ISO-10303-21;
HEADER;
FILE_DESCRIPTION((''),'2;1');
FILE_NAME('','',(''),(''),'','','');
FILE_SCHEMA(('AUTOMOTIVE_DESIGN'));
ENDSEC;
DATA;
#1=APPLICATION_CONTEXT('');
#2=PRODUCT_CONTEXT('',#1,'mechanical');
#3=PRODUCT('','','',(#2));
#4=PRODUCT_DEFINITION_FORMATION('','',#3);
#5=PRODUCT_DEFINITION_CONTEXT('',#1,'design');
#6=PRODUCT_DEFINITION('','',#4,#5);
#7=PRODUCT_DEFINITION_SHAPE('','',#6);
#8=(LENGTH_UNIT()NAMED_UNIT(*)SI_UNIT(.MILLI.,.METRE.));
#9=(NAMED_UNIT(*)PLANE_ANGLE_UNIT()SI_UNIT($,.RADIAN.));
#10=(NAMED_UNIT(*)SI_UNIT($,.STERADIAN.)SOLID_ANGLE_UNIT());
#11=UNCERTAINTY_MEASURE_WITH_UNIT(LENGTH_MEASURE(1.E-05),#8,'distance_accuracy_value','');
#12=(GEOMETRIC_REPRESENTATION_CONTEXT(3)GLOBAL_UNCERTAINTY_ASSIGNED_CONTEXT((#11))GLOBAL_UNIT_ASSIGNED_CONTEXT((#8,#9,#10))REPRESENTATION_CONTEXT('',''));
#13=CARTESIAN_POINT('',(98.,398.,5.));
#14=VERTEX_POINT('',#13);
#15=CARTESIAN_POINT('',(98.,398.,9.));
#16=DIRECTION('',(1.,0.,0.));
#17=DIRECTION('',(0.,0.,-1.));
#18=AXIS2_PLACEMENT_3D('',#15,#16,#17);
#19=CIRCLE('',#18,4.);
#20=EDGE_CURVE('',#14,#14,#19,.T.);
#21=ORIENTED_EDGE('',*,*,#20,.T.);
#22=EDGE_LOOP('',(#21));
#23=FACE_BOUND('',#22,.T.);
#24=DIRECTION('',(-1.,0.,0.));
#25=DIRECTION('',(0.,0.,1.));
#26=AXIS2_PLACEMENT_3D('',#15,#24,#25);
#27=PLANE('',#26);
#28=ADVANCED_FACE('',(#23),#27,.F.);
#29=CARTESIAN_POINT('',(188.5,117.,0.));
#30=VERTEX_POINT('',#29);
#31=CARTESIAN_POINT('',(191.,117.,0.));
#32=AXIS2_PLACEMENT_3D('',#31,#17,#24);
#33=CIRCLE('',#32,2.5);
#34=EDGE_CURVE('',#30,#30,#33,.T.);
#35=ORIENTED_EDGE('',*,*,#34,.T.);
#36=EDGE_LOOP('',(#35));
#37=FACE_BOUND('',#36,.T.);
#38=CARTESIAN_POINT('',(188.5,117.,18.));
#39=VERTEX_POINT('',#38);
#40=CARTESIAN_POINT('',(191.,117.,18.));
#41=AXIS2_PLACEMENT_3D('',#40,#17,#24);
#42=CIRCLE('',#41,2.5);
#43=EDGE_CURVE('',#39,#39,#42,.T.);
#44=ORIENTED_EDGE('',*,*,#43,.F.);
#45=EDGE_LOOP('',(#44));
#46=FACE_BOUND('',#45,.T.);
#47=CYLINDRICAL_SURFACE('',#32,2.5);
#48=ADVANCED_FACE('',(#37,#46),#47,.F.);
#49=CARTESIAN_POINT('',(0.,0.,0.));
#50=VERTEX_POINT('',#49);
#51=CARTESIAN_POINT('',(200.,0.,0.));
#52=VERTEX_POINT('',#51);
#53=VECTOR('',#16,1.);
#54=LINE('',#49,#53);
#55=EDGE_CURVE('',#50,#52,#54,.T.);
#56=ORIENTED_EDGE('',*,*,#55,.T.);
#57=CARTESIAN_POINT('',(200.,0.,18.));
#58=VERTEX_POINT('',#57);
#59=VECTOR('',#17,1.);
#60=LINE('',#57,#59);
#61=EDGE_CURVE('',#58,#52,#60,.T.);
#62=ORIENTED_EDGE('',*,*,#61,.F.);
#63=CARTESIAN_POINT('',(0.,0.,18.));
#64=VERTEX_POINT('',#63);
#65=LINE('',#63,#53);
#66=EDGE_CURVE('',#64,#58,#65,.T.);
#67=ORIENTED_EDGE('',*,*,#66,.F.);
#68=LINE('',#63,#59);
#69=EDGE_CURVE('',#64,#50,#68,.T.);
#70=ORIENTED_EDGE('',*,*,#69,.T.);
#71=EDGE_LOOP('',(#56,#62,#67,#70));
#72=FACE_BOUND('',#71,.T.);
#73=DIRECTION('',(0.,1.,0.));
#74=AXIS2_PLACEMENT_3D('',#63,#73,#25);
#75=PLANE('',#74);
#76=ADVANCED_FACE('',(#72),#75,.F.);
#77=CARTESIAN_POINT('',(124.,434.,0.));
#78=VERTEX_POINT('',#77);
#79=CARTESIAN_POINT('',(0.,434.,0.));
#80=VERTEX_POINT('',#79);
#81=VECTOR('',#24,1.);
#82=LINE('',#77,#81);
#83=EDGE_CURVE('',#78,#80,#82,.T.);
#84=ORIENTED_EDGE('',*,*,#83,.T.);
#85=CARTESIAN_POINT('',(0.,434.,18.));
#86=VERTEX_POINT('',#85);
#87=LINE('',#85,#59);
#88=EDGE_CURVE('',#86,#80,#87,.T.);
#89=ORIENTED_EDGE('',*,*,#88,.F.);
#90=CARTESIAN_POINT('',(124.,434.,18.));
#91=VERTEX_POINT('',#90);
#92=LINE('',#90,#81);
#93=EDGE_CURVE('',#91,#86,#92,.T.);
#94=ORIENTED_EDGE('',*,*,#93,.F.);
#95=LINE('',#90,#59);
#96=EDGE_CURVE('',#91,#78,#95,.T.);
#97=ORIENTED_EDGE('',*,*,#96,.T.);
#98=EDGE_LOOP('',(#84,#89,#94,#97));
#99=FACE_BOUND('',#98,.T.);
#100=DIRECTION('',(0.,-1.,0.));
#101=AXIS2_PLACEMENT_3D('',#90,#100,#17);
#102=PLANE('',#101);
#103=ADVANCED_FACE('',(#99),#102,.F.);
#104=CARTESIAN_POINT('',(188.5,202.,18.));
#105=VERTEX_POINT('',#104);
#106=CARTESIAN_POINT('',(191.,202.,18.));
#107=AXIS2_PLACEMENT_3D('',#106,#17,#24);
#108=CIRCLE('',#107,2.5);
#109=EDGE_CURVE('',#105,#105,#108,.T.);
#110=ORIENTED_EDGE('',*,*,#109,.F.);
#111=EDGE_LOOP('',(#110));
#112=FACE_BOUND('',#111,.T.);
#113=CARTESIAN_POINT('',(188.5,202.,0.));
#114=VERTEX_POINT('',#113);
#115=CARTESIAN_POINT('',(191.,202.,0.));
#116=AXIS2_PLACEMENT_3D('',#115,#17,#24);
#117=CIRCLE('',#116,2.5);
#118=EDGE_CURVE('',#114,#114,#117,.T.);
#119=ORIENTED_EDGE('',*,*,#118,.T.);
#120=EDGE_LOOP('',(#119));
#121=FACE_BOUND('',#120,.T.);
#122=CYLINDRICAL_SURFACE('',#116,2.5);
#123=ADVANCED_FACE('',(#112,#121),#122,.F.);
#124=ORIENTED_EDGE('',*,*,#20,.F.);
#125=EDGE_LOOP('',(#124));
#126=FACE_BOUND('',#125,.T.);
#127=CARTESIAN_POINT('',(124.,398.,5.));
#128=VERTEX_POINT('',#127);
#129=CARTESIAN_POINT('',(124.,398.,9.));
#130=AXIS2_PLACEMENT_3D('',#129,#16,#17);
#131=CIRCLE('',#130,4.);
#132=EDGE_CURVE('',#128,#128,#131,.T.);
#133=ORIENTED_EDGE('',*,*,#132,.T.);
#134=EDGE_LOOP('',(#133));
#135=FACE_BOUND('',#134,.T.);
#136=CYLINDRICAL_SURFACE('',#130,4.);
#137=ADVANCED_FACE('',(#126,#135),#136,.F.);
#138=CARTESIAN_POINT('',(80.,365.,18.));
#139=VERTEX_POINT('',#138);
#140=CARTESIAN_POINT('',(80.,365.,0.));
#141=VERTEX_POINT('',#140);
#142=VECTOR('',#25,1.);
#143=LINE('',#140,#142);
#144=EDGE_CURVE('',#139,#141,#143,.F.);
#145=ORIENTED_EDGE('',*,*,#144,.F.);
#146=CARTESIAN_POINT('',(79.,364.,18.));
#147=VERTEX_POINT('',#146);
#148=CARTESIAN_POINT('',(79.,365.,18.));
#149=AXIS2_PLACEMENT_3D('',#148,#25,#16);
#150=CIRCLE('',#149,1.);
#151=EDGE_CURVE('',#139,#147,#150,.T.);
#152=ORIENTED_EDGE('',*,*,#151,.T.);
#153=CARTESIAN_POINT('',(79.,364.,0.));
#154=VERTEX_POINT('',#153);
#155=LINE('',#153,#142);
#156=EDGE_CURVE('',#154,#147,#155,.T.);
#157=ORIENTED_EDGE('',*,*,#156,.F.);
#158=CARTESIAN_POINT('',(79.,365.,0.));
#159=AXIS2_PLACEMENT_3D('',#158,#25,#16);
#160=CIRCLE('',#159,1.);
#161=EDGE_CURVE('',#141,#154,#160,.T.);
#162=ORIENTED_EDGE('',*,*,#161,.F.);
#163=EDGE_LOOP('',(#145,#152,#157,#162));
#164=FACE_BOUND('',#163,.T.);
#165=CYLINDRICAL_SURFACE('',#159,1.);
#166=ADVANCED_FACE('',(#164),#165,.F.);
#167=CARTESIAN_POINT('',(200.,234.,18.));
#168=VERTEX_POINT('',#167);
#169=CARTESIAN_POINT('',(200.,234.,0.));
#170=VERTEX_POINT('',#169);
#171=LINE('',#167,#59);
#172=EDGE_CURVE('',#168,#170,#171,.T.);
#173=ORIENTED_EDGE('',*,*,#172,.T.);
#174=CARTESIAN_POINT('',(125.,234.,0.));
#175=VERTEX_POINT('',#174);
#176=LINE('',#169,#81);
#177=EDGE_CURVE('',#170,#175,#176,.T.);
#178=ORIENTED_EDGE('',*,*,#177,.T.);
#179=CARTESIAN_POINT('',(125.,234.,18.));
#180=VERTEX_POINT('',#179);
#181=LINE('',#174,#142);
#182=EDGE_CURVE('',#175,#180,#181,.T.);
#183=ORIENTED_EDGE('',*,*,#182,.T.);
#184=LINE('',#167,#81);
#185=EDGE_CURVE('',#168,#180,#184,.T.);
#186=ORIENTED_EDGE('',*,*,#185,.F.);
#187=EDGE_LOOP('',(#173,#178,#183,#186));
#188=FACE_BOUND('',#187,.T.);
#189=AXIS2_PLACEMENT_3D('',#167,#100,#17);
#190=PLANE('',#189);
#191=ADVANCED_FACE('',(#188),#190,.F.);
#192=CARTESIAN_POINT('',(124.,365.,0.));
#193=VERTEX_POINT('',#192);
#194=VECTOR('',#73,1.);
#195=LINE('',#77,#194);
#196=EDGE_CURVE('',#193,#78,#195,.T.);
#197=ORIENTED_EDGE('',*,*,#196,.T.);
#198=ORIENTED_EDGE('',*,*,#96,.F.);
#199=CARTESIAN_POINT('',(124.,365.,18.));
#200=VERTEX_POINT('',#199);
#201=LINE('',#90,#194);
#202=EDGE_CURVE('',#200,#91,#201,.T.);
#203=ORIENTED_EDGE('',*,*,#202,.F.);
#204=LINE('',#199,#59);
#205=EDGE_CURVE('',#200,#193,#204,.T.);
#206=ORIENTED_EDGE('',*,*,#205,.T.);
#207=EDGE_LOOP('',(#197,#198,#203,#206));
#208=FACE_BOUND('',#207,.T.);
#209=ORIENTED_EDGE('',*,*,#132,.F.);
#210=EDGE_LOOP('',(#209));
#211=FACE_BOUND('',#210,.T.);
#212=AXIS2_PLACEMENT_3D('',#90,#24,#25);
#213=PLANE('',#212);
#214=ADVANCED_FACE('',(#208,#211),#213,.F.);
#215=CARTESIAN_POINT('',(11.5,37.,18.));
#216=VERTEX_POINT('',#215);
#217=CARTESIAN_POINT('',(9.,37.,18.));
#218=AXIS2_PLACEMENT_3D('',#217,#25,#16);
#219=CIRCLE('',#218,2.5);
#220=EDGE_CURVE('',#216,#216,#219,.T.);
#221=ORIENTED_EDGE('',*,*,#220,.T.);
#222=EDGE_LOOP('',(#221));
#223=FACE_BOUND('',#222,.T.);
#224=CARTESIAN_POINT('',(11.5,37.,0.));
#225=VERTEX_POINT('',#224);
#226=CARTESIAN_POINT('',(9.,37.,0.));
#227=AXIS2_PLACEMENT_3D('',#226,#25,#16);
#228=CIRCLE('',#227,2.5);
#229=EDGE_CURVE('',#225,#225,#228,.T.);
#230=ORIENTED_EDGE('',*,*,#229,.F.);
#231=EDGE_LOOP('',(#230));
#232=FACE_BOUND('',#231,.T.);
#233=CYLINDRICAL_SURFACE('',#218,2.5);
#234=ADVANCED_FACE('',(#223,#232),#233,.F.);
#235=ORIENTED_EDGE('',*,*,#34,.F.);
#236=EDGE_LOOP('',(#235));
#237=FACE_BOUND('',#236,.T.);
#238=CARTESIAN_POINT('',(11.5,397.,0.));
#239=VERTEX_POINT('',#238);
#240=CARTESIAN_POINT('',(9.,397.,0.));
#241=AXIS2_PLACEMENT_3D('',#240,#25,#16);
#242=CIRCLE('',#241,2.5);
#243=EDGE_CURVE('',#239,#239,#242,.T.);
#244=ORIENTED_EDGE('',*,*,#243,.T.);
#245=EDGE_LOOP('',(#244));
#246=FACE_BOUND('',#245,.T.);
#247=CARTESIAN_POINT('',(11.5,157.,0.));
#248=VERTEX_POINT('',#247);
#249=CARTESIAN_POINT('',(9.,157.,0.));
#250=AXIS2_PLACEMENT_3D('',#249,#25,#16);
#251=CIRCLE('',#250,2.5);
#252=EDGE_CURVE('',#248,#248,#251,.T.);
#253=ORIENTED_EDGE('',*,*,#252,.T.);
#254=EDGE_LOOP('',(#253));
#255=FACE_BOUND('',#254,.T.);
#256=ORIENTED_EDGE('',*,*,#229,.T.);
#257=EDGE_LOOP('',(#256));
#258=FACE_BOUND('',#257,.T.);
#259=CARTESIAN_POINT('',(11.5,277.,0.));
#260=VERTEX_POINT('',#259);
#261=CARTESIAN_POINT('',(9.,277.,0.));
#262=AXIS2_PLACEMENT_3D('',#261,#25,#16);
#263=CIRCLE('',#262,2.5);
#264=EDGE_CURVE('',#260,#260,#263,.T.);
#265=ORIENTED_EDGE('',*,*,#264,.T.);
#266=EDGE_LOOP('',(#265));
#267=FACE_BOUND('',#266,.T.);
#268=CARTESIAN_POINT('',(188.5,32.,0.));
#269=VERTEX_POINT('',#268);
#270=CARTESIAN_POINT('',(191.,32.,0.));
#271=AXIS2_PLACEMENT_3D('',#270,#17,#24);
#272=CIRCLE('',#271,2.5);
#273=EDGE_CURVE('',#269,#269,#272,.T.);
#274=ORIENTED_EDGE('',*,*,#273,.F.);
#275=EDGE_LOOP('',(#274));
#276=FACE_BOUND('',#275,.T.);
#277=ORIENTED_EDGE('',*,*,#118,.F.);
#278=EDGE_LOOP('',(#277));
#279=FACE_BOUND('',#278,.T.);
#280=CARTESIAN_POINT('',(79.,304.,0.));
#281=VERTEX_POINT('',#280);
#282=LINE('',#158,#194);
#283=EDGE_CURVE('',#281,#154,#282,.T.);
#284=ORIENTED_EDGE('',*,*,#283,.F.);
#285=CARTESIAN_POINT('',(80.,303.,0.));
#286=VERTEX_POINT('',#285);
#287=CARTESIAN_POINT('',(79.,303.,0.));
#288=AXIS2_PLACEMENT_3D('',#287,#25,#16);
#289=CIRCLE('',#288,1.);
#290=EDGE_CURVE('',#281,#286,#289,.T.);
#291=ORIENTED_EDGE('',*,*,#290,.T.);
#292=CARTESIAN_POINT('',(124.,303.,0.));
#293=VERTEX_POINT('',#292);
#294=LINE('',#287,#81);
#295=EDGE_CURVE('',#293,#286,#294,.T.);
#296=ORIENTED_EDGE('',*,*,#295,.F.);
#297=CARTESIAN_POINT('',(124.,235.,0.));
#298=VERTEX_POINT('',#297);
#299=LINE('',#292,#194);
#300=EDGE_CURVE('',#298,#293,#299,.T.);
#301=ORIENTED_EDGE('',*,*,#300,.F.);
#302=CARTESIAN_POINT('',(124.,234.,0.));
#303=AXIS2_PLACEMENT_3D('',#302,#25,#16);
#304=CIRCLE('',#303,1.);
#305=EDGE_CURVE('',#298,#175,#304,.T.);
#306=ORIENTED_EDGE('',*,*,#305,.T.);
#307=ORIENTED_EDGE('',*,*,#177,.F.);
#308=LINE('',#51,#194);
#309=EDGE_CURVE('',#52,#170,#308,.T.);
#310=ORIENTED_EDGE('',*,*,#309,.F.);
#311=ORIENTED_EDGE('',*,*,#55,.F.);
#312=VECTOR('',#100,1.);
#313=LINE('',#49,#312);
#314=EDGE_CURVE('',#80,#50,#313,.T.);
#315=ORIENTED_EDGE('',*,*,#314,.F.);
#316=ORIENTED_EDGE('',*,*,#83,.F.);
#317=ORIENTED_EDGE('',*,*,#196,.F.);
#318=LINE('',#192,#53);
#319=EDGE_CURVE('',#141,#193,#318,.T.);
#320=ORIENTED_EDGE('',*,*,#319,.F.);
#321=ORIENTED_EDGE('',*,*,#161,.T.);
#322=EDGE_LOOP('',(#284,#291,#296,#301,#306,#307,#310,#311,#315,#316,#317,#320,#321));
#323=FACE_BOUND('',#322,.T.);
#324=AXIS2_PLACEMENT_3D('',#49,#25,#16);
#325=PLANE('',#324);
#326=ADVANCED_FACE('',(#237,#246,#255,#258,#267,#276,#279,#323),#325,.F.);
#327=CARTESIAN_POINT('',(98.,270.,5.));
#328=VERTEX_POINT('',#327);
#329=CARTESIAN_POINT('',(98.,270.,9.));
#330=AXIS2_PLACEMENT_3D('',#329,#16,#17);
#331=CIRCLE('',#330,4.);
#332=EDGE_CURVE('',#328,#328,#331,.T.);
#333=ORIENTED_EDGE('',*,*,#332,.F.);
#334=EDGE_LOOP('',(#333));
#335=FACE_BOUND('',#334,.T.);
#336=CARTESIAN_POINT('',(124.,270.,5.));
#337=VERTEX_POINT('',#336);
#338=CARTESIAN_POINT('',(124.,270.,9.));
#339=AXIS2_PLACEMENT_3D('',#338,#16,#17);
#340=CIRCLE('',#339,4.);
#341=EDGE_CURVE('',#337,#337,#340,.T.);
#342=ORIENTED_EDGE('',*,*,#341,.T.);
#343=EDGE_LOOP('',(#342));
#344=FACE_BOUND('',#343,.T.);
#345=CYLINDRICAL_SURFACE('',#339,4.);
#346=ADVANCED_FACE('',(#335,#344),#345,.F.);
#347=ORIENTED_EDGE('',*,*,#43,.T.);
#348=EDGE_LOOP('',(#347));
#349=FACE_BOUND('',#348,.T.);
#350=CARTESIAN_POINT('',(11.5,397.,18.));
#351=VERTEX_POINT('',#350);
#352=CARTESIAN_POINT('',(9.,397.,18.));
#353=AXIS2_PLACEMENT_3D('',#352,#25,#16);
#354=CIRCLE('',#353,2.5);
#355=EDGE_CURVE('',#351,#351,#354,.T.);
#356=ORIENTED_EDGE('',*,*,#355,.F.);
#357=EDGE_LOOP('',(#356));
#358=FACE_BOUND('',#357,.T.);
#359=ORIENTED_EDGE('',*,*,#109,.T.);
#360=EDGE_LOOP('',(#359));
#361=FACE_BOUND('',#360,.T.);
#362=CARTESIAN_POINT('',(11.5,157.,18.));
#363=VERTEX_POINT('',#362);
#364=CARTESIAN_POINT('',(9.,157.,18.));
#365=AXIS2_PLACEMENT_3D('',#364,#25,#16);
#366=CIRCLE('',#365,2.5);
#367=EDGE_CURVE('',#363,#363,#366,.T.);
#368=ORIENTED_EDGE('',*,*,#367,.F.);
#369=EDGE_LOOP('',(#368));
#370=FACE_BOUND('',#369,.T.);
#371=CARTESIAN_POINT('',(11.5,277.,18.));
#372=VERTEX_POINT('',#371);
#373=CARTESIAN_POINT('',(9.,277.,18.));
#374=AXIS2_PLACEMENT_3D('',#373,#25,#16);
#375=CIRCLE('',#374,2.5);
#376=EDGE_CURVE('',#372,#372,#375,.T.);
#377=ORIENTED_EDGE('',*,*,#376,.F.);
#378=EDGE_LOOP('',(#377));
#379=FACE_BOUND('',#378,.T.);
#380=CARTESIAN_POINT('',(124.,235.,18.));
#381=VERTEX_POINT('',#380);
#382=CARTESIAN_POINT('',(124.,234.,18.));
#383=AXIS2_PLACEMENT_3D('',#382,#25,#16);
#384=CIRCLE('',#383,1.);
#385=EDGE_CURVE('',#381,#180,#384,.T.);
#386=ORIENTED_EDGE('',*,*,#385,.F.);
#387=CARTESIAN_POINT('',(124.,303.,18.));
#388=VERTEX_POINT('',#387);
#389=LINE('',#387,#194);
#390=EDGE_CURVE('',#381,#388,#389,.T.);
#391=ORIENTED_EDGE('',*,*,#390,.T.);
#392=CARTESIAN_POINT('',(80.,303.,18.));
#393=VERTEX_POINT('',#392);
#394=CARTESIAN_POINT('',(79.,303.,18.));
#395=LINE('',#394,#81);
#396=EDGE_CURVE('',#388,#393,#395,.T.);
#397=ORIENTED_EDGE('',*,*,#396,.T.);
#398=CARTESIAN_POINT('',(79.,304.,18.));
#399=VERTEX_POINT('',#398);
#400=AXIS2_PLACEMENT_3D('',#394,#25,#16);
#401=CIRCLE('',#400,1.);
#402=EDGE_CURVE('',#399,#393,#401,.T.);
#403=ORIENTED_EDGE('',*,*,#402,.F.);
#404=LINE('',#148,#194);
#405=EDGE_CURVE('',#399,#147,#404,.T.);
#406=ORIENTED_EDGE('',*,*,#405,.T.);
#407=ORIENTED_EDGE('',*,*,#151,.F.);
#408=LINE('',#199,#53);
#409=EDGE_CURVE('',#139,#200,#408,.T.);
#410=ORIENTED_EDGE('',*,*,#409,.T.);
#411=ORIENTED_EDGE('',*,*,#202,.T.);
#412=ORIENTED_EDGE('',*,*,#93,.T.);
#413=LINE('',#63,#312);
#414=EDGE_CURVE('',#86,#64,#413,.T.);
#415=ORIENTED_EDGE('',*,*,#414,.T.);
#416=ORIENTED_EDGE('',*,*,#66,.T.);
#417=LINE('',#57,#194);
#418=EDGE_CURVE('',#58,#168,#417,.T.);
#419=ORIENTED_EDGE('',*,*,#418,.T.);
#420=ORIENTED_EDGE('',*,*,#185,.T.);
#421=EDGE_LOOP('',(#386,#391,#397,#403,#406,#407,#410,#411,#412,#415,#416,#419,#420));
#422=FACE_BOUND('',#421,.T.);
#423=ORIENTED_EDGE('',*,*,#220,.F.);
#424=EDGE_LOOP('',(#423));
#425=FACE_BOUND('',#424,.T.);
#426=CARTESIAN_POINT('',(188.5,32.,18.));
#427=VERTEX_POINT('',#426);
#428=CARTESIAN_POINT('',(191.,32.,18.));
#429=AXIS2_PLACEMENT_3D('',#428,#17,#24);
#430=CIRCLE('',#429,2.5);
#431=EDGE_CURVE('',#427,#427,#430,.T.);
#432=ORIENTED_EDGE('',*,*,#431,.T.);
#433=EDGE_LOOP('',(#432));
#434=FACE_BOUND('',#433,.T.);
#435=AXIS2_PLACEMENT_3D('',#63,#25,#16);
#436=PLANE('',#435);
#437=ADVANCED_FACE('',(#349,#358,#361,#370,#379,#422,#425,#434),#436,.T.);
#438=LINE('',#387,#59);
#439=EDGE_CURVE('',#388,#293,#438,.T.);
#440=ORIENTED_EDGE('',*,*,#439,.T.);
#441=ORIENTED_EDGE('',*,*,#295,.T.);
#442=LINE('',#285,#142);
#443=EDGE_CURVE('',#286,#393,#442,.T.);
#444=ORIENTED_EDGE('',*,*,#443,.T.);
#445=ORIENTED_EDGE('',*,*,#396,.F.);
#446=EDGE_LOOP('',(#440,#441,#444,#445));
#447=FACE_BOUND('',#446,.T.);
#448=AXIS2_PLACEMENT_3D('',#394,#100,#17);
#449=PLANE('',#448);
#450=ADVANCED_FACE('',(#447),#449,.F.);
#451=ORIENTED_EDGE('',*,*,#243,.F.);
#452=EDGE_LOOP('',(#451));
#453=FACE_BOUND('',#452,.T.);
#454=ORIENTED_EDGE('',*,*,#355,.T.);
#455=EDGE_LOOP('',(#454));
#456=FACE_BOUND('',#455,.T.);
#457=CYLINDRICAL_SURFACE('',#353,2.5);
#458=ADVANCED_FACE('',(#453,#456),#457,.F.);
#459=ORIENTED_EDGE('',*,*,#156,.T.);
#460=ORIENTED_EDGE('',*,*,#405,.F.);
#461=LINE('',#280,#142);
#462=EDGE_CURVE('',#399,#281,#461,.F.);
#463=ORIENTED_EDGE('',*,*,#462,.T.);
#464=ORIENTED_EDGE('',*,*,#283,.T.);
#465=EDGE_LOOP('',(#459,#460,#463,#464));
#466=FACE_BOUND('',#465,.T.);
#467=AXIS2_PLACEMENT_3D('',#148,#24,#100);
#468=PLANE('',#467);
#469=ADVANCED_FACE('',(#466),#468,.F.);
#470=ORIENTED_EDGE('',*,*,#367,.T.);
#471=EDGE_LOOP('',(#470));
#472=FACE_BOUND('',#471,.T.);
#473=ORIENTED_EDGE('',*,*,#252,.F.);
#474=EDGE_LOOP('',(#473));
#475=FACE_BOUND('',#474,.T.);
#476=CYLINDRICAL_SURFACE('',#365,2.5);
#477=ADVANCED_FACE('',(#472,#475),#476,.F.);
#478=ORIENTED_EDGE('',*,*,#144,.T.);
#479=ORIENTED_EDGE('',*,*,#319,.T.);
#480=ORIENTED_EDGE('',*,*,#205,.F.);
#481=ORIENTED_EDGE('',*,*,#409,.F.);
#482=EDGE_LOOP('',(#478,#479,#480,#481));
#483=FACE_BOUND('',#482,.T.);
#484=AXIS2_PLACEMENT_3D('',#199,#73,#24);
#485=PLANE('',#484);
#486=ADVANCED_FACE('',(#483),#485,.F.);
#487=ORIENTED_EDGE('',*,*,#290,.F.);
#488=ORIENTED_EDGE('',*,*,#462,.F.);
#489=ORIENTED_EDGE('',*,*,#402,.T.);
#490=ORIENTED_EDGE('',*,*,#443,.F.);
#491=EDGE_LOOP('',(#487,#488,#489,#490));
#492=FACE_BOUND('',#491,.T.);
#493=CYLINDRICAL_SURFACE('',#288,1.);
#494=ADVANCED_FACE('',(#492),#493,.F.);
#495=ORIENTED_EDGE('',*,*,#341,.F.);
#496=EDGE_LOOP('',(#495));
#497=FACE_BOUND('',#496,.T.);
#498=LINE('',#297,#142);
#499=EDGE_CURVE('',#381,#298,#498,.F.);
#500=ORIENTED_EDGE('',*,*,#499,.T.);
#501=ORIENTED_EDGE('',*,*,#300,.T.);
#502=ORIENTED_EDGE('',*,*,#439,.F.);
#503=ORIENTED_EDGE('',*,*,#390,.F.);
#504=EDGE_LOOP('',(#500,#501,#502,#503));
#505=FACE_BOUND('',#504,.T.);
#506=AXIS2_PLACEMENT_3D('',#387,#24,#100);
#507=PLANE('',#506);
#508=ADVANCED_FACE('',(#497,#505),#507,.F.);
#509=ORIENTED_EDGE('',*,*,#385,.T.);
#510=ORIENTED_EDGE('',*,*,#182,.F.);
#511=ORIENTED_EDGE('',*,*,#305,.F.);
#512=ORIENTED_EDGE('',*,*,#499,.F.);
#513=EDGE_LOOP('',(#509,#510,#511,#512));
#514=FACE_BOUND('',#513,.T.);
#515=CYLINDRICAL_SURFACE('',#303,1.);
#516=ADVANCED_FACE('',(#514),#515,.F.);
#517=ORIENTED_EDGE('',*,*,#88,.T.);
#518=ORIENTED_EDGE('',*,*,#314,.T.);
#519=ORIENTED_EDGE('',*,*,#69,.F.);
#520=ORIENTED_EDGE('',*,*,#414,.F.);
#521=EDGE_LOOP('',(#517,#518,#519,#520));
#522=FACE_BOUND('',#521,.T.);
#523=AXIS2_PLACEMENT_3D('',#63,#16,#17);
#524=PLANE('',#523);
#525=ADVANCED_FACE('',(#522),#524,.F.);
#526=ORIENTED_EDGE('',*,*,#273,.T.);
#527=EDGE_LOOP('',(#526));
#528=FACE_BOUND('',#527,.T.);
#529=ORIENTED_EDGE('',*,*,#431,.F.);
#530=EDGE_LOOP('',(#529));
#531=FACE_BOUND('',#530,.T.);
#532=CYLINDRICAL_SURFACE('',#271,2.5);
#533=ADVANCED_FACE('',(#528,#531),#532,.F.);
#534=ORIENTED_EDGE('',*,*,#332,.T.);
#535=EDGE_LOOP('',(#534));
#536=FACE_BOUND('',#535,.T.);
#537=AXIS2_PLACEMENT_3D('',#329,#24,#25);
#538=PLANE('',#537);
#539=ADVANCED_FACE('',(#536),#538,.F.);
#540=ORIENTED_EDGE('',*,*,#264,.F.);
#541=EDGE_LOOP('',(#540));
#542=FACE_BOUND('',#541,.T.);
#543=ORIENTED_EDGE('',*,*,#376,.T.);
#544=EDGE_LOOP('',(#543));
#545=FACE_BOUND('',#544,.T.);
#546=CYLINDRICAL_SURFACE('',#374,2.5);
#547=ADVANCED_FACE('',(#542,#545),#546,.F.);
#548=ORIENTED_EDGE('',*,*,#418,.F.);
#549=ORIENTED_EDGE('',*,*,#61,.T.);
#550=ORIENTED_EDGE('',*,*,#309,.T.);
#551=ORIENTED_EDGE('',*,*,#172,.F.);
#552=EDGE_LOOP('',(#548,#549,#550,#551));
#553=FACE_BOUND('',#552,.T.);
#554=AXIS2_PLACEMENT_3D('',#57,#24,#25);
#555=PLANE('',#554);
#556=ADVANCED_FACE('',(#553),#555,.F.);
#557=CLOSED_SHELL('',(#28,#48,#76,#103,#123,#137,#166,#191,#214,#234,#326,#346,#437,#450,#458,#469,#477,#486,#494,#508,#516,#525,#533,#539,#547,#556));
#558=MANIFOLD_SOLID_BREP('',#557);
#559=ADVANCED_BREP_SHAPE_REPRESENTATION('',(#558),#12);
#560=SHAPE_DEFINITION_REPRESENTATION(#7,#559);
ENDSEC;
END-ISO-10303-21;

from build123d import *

# Parameters (mm, degrees)
BOSS_EXTRUDE1_DEPTH          = 18
SKETCH2_R                    = 1
CUT_EXTRUDE1_DEPTH           = 18
F_5_0_5_DIAMETER_HOLE1_D     = 5
F_5_0_5_DIAMETER_HOLE2_D     = 5
F_8_0_8_DIAMETER_HOLE1_D     = 8
F_8_0_8_DIAMETER_HOLE1_DEPTH = 26


with BuildPart() as part:
    # Sketch1 → Boss-Extrude1 (new body)
    with BuildSketch(Plane.XY):
        Polygon((200, 234), (124, 234), (124, 303), (79, 303), (79, 365), (124, 365), (124, 434), (0, 434), (0, 0), (200, 0), align=None)
    extrude(amount=BOSS_EXTRUDE1_DEPTH)

    # Sketch2 → Cut-Extrude1 (cut)
    with BuildSketch(Plane.XY.offset(18)):
        with Locations((79, 365)):
            Circle(SKETCH2_R)
        with Locations((79, 303)):
            Circle(SKETCH2_R)
        with Locations((124, 234)):
            Circle(SKETCH2_R)
    extrude(amount=-CUT_EXTRUDE1_DEPTH, mode=Mode.SUBTRACT)

    # Ø5.0 (5) Diameter Hole1 (through all)
    with Locations(Plane.XY.offset(18)):
        with Locations((9, 397), (9, 277), (9, 157), (9, 37)):
            Hole(F_5_0_5_DIAMETER_HOLE1_D / 2)

    # Ø5.0 (5) Diameter Hole2 (through all)
    with Locations(Plane(origin=(0, 0, 0), x_dir=(-1, 0, 0), z_dir=(0, 0, -1))):
        with Locations((-191, 202), (-191, 117), (-191, 32)):
            Hole(F_5_0_5_DIAMETER_HOLE2_D / 2)

    # Ø8.0 (8) Diameter Hole1
    with Locations(Plane(origin=(124, 0, 0), x_dir=(0, 0, -1), z_dir=(1, 0, 0))):
        with Locations((-9, 398), (-9, 270)):
            Hole(F_8_0_8_DIAMETER_HOLE1_D / 2, depth=F_8_0_8_DIAMETER_HOLE1_DEPTH)


solid = part.part
